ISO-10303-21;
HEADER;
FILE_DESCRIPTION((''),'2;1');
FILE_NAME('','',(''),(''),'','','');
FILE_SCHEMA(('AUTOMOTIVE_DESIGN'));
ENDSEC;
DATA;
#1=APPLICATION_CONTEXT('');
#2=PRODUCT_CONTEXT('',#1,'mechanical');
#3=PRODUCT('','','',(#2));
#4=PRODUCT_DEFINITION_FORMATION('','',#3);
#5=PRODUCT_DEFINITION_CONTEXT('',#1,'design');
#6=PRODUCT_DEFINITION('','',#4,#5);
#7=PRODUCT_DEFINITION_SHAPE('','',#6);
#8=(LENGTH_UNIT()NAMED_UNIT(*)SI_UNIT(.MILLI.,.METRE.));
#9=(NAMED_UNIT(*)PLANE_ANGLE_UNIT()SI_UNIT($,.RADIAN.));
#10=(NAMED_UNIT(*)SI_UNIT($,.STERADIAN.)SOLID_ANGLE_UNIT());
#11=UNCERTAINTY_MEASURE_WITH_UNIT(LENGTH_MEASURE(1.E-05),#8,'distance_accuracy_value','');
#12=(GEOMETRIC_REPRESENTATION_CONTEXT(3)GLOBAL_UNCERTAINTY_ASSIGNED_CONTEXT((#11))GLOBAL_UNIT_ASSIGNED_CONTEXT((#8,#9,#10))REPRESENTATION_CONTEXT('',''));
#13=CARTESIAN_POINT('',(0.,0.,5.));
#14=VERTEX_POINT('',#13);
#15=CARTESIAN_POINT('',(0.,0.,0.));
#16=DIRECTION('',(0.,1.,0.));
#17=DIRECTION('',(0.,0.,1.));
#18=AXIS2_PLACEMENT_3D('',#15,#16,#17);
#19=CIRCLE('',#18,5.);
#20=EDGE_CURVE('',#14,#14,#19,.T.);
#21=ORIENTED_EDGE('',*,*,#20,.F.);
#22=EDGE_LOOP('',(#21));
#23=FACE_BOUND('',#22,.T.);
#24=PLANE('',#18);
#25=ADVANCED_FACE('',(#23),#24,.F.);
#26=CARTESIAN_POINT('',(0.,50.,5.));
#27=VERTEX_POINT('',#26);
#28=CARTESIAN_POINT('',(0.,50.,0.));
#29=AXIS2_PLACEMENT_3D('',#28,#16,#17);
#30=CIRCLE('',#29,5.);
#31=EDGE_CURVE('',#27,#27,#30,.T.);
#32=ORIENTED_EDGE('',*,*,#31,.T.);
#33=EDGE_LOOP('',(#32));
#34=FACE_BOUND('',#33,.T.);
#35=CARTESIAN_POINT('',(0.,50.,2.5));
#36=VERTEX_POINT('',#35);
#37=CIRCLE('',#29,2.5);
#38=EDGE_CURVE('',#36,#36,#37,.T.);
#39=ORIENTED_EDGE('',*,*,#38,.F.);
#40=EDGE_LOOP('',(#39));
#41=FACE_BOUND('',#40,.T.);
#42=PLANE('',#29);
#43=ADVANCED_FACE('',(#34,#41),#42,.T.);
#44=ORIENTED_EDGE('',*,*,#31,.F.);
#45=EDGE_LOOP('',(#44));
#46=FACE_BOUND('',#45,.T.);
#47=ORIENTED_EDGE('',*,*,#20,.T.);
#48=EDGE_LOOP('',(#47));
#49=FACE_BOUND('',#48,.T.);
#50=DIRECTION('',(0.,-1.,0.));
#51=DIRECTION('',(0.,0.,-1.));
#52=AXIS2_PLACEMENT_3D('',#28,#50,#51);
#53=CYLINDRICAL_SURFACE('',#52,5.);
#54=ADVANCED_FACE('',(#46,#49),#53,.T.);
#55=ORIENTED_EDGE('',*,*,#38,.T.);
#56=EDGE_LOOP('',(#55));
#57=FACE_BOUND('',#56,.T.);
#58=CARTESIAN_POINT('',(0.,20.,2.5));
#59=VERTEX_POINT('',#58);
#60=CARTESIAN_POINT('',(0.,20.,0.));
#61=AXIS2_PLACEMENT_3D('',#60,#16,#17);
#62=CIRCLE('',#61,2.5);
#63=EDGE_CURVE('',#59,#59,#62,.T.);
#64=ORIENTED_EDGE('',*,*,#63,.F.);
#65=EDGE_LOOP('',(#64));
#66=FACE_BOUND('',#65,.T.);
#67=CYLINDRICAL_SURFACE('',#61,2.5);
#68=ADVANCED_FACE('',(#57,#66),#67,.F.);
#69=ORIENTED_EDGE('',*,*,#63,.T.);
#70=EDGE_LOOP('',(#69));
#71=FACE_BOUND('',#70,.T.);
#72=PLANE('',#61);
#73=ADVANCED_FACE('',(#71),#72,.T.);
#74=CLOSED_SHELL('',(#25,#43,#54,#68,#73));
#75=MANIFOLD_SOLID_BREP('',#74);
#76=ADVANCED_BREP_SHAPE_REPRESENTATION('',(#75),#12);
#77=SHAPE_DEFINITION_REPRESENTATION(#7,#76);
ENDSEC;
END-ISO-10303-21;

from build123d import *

# Parameters (mm, degrees)
SKETCH2_R           = 5
BOSS_EXTRUDE1_DEPTH = 50
SKETCH3_R           = 2.5
CUT_EXTRUDE1_DEPTH  = 30


with BuildPart() as part:
    # Sketch2 → Boss-Extrude1 (new body)
    with BuildSketch(Plane(origin=(0, 0, 0), x_dir=(1, 0, 0), z_dir=(0, 1, 0))):
        with Locations(Location((0, 0, 0), (0, 0, 270))):
            Circle(SKETCH2_R)
    extrude(amount=BOSS_EXTRUDE1_DEPTH)

    # Sketch3 → Cut-Extrude1 (cut)
    with BuildSketch(Plane(origin=(0, 50, 0), x_dir=(1, 0, 0), z_dir=(0, 1, 0))):
        with Locations(Location((0, 0, 0), (0, 0, 270))):
            Circle(SKETCH3_R)
    extrude(amount=-CUT_EXTRUDE1_DEPTH, mode=Mode.SUBTRACT)


solid = part.part
